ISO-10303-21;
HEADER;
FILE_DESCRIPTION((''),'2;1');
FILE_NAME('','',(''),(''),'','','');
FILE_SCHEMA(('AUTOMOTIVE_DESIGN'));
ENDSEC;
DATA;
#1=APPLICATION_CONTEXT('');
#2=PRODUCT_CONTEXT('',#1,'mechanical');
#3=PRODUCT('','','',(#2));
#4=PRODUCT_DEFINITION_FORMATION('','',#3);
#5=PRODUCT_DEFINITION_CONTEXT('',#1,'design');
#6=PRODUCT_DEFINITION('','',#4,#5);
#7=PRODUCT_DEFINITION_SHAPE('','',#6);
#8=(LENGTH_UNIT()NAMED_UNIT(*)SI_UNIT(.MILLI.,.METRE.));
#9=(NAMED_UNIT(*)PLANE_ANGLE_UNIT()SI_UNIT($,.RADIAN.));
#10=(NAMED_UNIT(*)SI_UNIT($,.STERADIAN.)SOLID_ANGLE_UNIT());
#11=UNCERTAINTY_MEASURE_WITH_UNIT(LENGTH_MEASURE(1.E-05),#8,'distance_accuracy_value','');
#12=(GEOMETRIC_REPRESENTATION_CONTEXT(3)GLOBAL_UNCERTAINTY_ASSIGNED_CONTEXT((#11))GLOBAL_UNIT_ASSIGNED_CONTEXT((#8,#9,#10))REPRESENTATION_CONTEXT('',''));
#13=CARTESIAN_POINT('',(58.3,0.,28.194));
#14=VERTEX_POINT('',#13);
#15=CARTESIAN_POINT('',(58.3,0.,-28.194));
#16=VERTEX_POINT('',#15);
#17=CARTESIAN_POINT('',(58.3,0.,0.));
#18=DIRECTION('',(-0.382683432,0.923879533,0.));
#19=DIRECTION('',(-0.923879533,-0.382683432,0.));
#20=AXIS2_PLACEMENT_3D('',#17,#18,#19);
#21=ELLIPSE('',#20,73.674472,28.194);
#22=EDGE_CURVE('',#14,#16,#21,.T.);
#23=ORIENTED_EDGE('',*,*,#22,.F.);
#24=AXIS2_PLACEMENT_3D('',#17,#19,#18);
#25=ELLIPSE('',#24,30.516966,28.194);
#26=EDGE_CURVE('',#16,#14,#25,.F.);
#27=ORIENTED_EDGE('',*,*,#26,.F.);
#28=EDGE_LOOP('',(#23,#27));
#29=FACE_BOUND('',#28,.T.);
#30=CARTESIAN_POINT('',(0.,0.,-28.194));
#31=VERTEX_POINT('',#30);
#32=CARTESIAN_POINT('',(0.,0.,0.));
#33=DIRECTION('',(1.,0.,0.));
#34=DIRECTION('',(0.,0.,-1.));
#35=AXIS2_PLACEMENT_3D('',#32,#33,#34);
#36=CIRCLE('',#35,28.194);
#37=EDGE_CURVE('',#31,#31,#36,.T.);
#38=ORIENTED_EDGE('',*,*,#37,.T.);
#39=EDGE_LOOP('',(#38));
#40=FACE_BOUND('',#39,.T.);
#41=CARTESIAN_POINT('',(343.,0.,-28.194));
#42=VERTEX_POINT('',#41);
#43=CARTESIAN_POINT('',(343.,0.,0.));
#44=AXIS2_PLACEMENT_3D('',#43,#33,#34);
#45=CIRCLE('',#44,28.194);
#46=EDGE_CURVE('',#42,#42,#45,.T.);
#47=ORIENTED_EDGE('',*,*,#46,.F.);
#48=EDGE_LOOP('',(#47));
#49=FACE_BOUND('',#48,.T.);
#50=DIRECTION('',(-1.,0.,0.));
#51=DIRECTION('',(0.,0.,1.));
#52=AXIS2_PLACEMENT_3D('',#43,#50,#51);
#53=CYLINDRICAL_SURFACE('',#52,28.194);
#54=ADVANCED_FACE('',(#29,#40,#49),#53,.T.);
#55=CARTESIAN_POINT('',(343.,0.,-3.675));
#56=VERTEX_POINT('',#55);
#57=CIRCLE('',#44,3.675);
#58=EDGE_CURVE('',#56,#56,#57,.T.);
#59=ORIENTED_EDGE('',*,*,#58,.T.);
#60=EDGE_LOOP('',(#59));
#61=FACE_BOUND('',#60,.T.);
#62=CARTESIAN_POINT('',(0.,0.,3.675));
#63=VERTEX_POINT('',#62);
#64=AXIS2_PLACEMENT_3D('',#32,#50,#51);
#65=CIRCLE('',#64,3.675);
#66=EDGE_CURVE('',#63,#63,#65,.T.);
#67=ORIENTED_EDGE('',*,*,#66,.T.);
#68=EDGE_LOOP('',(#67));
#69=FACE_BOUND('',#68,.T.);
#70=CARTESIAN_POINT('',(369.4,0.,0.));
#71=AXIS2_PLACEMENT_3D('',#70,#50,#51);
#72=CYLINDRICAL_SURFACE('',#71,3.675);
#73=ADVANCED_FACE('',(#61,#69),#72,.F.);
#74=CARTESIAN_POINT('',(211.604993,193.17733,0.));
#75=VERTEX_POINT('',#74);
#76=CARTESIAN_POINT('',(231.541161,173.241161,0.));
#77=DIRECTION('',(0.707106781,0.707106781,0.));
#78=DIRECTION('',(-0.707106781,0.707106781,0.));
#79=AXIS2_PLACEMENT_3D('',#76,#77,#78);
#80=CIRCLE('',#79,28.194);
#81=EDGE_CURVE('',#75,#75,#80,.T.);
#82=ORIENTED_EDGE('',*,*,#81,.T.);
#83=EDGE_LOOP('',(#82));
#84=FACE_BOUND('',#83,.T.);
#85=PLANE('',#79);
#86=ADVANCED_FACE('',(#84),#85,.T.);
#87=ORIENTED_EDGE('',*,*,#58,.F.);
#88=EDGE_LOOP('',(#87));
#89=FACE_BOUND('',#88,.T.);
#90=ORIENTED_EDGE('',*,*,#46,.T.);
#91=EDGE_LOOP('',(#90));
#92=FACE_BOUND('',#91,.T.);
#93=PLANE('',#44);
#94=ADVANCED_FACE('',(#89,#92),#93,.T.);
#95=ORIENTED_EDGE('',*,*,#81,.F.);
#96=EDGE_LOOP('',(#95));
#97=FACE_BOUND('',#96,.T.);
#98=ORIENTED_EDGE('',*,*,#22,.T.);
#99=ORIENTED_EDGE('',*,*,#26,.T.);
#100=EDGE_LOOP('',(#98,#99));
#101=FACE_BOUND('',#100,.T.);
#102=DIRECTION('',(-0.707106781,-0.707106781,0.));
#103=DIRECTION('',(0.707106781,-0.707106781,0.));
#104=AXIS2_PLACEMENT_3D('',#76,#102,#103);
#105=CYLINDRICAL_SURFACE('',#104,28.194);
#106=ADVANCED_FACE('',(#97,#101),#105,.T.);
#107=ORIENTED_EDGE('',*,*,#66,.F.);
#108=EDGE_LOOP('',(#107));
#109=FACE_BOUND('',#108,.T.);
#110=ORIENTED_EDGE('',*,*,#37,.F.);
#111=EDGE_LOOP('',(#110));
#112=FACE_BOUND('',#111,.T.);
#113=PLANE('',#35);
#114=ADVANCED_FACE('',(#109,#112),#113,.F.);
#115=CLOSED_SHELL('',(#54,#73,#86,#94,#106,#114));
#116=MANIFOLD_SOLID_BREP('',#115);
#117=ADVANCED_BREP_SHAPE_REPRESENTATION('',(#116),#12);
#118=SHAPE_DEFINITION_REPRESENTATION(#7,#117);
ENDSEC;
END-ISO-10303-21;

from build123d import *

# Parameters (mm, degrees)
SKETCH1_R           = 28.194
BOSS_EXTRUDE1_DEPTH = 343
SKETCH5_R           = 28.194
BOSS_EXTRUDE3_DEPTH = 245
SKETCH7_R           = 3.675
CUT_EXTRUDE1_DEPTH  = 369.4


with BuildPart() as part:
    # Sketch1 → Boss-Extrude1 (new body)
    with BuildSketch(Plane(origin=(0, 0, 0), x_dir=(0, 0, -1), z_dir=(1, 0, 0))):
        Circle(SKETCH1_R)
    extrude(amount=BOSS_EXTRUDE1_DEPTH)

    # Sketch5 → Boss-Extrude3 (add)
    with BuildSketch(Plane(origin=(29.15, 29.15, 0), x_dir=(0.7071067811865464, -0.7071067811865488, 0), z_dir=(0.7071067811865488, 0.7071067811865464, 0))):
        with Locations(Location((41.224325343, 0, 0), (0, 0, 90))):
            Circle(SKETCH5_R)
    extrude(amount=BOSS_EXTRUDE3_DEPTH)

    # Sketch7 → Cut-Extrude1 (cut)
    with BuildSketch(Plane.ZY):
        Circle(SKETCH7_R)
    extrude(amount=-CUT_EXTRUDE1_DEPTH, mode=Mode.SUBTRACT)


solid = part.part
